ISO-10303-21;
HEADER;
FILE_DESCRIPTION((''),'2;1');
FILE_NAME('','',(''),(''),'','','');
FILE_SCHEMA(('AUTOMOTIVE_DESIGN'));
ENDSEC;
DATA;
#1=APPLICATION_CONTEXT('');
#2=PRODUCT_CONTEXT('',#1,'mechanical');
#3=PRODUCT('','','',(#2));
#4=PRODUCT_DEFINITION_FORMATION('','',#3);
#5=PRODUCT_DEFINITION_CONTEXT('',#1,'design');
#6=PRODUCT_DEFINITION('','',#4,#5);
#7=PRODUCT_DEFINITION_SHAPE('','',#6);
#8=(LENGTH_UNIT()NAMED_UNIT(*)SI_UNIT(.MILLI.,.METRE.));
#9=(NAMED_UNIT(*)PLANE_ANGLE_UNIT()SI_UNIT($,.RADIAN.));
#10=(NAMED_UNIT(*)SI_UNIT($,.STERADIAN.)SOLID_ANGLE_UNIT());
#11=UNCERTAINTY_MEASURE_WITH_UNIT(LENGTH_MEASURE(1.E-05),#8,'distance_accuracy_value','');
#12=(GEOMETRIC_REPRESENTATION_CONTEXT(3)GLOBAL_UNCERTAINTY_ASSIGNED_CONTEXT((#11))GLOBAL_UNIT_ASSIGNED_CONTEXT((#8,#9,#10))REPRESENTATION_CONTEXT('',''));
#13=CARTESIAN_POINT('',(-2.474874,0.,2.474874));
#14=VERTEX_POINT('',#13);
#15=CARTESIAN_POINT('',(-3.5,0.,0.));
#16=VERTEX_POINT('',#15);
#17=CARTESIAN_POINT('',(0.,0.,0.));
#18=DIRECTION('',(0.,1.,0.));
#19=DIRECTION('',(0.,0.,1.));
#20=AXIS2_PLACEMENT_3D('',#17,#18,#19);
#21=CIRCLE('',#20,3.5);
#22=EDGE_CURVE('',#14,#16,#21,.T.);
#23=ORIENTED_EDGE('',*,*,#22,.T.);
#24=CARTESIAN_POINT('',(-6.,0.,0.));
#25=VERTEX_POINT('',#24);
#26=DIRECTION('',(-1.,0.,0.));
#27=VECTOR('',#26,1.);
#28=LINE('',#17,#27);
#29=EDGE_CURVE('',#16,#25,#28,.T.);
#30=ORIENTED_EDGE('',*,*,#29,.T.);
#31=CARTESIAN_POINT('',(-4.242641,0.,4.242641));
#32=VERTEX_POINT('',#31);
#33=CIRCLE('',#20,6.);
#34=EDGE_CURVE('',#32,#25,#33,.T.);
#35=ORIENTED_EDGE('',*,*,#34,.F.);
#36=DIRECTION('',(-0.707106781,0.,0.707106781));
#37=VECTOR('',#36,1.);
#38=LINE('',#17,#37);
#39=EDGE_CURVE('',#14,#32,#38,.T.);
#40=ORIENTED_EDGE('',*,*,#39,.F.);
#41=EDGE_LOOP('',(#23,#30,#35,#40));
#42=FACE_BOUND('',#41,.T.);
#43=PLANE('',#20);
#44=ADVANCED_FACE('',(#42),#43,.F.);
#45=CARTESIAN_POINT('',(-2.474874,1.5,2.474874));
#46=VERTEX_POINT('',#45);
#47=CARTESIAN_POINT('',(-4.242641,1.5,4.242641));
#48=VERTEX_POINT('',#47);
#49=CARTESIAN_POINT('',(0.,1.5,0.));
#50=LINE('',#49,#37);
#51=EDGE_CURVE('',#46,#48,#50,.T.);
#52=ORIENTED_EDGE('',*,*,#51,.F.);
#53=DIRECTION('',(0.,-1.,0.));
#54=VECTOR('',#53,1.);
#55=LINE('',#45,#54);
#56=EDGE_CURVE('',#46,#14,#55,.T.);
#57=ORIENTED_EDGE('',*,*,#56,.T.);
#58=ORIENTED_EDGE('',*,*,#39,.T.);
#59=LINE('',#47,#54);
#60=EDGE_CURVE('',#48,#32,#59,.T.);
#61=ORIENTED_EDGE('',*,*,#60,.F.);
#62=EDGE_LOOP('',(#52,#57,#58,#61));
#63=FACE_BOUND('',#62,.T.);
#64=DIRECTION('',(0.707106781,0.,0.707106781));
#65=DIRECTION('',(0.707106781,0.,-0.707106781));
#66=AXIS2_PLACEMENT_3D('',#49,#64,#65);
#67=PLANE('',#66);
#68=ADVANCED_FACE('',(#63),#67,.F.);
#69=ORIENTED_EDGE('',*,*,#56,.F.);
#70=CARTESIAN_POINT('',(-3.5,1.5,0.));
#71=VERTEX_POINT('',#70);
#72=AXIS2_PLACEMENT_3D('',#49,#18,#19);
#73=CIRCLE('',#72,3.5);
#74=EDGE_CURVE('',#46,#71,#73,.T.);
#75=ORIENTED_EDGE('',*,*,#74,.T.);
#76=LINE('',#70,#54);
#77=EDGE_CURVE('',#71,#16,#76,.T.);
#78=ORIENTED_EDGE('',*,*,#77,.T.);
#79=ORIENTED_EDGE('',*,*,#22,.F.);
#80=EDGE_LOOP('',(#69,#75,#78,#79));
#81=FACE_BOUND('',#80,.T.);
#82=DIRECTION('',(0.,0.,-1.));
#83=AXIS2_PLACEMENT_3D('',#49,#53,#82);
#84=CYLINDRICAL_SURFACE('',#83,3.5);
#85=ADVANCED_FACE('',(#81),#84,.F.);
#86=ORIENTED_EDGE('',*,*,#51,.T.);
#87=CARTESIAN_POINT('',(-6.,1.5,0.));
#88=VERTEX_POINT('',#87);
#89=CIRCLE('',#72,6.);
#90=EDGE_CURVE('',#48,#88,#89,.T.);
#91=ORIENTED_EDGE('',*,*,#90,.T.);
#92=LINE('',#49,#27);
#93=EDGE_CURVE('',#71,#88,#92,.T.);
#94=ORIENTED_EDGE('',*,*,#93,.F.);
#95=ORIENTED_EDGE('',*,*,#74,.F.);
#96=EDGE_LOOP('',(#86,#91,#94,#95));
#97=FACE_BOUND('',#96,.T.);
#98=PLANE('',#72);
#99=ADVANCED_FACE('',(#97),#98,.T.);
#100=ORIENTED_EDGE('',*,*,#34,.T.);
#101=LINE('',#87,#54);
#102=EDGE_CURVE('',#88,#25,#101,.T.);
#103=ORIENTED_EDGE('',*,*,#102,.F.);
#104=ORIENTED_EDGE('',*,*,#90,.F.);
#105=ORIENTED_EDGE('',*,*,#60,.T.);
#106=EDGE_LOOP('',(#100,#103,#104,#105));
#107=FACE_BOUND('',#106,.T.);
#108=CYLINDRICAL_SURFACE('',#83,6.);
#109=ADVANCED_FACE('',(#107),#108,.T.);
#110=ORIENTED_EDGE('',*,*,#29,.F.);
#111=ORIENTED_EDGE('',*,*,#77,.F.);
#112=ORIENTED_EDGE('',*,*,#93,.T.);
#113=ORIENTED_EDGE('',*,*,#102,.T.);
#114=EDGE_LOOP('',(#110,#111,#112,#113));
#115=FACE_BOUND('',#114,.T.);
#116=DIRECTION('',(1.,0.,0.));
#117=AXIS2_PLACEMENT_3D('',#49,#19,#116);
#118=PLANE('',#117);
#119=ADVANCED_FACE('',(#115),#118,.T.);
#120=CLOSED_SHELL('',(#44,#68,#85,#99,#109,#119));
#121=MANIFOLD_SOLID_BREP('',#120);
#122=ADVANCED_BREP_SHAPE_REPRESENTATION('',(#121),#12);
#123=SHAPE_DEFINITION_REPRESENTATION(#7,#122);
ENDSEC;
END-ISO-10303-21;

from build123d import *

# Parameters (mm, degrees)
BOSS_EXTRUDE1_DEPTH = 1.5


with BuildPart() as part:
    # Sketch1 → Boss-Extrude1 (new body)
    with BuildSketch(Plane(origin=(0, 0, 0), x_dir=(1, 0, 0), z_dir=(0, 1, 0))):
        with BuildLine():
            Line((-6, 0), (-3.5, 0))
            ThreePointArc((-3.5, 0), (3.233578364, 1.339392013), (-2.474873734, -2.474873734))
            Line((-2.474873734, -2.474873734), (-4.242640687, -4.242640687))
            ThreePointArc((-4.242640687, -4.242640687), (5.543277195, 2.296100594), (-6, 0))
        make_face()
    extrude(amount=BOSS_EXTRUDE1_DEPTH)


solid = part.part
